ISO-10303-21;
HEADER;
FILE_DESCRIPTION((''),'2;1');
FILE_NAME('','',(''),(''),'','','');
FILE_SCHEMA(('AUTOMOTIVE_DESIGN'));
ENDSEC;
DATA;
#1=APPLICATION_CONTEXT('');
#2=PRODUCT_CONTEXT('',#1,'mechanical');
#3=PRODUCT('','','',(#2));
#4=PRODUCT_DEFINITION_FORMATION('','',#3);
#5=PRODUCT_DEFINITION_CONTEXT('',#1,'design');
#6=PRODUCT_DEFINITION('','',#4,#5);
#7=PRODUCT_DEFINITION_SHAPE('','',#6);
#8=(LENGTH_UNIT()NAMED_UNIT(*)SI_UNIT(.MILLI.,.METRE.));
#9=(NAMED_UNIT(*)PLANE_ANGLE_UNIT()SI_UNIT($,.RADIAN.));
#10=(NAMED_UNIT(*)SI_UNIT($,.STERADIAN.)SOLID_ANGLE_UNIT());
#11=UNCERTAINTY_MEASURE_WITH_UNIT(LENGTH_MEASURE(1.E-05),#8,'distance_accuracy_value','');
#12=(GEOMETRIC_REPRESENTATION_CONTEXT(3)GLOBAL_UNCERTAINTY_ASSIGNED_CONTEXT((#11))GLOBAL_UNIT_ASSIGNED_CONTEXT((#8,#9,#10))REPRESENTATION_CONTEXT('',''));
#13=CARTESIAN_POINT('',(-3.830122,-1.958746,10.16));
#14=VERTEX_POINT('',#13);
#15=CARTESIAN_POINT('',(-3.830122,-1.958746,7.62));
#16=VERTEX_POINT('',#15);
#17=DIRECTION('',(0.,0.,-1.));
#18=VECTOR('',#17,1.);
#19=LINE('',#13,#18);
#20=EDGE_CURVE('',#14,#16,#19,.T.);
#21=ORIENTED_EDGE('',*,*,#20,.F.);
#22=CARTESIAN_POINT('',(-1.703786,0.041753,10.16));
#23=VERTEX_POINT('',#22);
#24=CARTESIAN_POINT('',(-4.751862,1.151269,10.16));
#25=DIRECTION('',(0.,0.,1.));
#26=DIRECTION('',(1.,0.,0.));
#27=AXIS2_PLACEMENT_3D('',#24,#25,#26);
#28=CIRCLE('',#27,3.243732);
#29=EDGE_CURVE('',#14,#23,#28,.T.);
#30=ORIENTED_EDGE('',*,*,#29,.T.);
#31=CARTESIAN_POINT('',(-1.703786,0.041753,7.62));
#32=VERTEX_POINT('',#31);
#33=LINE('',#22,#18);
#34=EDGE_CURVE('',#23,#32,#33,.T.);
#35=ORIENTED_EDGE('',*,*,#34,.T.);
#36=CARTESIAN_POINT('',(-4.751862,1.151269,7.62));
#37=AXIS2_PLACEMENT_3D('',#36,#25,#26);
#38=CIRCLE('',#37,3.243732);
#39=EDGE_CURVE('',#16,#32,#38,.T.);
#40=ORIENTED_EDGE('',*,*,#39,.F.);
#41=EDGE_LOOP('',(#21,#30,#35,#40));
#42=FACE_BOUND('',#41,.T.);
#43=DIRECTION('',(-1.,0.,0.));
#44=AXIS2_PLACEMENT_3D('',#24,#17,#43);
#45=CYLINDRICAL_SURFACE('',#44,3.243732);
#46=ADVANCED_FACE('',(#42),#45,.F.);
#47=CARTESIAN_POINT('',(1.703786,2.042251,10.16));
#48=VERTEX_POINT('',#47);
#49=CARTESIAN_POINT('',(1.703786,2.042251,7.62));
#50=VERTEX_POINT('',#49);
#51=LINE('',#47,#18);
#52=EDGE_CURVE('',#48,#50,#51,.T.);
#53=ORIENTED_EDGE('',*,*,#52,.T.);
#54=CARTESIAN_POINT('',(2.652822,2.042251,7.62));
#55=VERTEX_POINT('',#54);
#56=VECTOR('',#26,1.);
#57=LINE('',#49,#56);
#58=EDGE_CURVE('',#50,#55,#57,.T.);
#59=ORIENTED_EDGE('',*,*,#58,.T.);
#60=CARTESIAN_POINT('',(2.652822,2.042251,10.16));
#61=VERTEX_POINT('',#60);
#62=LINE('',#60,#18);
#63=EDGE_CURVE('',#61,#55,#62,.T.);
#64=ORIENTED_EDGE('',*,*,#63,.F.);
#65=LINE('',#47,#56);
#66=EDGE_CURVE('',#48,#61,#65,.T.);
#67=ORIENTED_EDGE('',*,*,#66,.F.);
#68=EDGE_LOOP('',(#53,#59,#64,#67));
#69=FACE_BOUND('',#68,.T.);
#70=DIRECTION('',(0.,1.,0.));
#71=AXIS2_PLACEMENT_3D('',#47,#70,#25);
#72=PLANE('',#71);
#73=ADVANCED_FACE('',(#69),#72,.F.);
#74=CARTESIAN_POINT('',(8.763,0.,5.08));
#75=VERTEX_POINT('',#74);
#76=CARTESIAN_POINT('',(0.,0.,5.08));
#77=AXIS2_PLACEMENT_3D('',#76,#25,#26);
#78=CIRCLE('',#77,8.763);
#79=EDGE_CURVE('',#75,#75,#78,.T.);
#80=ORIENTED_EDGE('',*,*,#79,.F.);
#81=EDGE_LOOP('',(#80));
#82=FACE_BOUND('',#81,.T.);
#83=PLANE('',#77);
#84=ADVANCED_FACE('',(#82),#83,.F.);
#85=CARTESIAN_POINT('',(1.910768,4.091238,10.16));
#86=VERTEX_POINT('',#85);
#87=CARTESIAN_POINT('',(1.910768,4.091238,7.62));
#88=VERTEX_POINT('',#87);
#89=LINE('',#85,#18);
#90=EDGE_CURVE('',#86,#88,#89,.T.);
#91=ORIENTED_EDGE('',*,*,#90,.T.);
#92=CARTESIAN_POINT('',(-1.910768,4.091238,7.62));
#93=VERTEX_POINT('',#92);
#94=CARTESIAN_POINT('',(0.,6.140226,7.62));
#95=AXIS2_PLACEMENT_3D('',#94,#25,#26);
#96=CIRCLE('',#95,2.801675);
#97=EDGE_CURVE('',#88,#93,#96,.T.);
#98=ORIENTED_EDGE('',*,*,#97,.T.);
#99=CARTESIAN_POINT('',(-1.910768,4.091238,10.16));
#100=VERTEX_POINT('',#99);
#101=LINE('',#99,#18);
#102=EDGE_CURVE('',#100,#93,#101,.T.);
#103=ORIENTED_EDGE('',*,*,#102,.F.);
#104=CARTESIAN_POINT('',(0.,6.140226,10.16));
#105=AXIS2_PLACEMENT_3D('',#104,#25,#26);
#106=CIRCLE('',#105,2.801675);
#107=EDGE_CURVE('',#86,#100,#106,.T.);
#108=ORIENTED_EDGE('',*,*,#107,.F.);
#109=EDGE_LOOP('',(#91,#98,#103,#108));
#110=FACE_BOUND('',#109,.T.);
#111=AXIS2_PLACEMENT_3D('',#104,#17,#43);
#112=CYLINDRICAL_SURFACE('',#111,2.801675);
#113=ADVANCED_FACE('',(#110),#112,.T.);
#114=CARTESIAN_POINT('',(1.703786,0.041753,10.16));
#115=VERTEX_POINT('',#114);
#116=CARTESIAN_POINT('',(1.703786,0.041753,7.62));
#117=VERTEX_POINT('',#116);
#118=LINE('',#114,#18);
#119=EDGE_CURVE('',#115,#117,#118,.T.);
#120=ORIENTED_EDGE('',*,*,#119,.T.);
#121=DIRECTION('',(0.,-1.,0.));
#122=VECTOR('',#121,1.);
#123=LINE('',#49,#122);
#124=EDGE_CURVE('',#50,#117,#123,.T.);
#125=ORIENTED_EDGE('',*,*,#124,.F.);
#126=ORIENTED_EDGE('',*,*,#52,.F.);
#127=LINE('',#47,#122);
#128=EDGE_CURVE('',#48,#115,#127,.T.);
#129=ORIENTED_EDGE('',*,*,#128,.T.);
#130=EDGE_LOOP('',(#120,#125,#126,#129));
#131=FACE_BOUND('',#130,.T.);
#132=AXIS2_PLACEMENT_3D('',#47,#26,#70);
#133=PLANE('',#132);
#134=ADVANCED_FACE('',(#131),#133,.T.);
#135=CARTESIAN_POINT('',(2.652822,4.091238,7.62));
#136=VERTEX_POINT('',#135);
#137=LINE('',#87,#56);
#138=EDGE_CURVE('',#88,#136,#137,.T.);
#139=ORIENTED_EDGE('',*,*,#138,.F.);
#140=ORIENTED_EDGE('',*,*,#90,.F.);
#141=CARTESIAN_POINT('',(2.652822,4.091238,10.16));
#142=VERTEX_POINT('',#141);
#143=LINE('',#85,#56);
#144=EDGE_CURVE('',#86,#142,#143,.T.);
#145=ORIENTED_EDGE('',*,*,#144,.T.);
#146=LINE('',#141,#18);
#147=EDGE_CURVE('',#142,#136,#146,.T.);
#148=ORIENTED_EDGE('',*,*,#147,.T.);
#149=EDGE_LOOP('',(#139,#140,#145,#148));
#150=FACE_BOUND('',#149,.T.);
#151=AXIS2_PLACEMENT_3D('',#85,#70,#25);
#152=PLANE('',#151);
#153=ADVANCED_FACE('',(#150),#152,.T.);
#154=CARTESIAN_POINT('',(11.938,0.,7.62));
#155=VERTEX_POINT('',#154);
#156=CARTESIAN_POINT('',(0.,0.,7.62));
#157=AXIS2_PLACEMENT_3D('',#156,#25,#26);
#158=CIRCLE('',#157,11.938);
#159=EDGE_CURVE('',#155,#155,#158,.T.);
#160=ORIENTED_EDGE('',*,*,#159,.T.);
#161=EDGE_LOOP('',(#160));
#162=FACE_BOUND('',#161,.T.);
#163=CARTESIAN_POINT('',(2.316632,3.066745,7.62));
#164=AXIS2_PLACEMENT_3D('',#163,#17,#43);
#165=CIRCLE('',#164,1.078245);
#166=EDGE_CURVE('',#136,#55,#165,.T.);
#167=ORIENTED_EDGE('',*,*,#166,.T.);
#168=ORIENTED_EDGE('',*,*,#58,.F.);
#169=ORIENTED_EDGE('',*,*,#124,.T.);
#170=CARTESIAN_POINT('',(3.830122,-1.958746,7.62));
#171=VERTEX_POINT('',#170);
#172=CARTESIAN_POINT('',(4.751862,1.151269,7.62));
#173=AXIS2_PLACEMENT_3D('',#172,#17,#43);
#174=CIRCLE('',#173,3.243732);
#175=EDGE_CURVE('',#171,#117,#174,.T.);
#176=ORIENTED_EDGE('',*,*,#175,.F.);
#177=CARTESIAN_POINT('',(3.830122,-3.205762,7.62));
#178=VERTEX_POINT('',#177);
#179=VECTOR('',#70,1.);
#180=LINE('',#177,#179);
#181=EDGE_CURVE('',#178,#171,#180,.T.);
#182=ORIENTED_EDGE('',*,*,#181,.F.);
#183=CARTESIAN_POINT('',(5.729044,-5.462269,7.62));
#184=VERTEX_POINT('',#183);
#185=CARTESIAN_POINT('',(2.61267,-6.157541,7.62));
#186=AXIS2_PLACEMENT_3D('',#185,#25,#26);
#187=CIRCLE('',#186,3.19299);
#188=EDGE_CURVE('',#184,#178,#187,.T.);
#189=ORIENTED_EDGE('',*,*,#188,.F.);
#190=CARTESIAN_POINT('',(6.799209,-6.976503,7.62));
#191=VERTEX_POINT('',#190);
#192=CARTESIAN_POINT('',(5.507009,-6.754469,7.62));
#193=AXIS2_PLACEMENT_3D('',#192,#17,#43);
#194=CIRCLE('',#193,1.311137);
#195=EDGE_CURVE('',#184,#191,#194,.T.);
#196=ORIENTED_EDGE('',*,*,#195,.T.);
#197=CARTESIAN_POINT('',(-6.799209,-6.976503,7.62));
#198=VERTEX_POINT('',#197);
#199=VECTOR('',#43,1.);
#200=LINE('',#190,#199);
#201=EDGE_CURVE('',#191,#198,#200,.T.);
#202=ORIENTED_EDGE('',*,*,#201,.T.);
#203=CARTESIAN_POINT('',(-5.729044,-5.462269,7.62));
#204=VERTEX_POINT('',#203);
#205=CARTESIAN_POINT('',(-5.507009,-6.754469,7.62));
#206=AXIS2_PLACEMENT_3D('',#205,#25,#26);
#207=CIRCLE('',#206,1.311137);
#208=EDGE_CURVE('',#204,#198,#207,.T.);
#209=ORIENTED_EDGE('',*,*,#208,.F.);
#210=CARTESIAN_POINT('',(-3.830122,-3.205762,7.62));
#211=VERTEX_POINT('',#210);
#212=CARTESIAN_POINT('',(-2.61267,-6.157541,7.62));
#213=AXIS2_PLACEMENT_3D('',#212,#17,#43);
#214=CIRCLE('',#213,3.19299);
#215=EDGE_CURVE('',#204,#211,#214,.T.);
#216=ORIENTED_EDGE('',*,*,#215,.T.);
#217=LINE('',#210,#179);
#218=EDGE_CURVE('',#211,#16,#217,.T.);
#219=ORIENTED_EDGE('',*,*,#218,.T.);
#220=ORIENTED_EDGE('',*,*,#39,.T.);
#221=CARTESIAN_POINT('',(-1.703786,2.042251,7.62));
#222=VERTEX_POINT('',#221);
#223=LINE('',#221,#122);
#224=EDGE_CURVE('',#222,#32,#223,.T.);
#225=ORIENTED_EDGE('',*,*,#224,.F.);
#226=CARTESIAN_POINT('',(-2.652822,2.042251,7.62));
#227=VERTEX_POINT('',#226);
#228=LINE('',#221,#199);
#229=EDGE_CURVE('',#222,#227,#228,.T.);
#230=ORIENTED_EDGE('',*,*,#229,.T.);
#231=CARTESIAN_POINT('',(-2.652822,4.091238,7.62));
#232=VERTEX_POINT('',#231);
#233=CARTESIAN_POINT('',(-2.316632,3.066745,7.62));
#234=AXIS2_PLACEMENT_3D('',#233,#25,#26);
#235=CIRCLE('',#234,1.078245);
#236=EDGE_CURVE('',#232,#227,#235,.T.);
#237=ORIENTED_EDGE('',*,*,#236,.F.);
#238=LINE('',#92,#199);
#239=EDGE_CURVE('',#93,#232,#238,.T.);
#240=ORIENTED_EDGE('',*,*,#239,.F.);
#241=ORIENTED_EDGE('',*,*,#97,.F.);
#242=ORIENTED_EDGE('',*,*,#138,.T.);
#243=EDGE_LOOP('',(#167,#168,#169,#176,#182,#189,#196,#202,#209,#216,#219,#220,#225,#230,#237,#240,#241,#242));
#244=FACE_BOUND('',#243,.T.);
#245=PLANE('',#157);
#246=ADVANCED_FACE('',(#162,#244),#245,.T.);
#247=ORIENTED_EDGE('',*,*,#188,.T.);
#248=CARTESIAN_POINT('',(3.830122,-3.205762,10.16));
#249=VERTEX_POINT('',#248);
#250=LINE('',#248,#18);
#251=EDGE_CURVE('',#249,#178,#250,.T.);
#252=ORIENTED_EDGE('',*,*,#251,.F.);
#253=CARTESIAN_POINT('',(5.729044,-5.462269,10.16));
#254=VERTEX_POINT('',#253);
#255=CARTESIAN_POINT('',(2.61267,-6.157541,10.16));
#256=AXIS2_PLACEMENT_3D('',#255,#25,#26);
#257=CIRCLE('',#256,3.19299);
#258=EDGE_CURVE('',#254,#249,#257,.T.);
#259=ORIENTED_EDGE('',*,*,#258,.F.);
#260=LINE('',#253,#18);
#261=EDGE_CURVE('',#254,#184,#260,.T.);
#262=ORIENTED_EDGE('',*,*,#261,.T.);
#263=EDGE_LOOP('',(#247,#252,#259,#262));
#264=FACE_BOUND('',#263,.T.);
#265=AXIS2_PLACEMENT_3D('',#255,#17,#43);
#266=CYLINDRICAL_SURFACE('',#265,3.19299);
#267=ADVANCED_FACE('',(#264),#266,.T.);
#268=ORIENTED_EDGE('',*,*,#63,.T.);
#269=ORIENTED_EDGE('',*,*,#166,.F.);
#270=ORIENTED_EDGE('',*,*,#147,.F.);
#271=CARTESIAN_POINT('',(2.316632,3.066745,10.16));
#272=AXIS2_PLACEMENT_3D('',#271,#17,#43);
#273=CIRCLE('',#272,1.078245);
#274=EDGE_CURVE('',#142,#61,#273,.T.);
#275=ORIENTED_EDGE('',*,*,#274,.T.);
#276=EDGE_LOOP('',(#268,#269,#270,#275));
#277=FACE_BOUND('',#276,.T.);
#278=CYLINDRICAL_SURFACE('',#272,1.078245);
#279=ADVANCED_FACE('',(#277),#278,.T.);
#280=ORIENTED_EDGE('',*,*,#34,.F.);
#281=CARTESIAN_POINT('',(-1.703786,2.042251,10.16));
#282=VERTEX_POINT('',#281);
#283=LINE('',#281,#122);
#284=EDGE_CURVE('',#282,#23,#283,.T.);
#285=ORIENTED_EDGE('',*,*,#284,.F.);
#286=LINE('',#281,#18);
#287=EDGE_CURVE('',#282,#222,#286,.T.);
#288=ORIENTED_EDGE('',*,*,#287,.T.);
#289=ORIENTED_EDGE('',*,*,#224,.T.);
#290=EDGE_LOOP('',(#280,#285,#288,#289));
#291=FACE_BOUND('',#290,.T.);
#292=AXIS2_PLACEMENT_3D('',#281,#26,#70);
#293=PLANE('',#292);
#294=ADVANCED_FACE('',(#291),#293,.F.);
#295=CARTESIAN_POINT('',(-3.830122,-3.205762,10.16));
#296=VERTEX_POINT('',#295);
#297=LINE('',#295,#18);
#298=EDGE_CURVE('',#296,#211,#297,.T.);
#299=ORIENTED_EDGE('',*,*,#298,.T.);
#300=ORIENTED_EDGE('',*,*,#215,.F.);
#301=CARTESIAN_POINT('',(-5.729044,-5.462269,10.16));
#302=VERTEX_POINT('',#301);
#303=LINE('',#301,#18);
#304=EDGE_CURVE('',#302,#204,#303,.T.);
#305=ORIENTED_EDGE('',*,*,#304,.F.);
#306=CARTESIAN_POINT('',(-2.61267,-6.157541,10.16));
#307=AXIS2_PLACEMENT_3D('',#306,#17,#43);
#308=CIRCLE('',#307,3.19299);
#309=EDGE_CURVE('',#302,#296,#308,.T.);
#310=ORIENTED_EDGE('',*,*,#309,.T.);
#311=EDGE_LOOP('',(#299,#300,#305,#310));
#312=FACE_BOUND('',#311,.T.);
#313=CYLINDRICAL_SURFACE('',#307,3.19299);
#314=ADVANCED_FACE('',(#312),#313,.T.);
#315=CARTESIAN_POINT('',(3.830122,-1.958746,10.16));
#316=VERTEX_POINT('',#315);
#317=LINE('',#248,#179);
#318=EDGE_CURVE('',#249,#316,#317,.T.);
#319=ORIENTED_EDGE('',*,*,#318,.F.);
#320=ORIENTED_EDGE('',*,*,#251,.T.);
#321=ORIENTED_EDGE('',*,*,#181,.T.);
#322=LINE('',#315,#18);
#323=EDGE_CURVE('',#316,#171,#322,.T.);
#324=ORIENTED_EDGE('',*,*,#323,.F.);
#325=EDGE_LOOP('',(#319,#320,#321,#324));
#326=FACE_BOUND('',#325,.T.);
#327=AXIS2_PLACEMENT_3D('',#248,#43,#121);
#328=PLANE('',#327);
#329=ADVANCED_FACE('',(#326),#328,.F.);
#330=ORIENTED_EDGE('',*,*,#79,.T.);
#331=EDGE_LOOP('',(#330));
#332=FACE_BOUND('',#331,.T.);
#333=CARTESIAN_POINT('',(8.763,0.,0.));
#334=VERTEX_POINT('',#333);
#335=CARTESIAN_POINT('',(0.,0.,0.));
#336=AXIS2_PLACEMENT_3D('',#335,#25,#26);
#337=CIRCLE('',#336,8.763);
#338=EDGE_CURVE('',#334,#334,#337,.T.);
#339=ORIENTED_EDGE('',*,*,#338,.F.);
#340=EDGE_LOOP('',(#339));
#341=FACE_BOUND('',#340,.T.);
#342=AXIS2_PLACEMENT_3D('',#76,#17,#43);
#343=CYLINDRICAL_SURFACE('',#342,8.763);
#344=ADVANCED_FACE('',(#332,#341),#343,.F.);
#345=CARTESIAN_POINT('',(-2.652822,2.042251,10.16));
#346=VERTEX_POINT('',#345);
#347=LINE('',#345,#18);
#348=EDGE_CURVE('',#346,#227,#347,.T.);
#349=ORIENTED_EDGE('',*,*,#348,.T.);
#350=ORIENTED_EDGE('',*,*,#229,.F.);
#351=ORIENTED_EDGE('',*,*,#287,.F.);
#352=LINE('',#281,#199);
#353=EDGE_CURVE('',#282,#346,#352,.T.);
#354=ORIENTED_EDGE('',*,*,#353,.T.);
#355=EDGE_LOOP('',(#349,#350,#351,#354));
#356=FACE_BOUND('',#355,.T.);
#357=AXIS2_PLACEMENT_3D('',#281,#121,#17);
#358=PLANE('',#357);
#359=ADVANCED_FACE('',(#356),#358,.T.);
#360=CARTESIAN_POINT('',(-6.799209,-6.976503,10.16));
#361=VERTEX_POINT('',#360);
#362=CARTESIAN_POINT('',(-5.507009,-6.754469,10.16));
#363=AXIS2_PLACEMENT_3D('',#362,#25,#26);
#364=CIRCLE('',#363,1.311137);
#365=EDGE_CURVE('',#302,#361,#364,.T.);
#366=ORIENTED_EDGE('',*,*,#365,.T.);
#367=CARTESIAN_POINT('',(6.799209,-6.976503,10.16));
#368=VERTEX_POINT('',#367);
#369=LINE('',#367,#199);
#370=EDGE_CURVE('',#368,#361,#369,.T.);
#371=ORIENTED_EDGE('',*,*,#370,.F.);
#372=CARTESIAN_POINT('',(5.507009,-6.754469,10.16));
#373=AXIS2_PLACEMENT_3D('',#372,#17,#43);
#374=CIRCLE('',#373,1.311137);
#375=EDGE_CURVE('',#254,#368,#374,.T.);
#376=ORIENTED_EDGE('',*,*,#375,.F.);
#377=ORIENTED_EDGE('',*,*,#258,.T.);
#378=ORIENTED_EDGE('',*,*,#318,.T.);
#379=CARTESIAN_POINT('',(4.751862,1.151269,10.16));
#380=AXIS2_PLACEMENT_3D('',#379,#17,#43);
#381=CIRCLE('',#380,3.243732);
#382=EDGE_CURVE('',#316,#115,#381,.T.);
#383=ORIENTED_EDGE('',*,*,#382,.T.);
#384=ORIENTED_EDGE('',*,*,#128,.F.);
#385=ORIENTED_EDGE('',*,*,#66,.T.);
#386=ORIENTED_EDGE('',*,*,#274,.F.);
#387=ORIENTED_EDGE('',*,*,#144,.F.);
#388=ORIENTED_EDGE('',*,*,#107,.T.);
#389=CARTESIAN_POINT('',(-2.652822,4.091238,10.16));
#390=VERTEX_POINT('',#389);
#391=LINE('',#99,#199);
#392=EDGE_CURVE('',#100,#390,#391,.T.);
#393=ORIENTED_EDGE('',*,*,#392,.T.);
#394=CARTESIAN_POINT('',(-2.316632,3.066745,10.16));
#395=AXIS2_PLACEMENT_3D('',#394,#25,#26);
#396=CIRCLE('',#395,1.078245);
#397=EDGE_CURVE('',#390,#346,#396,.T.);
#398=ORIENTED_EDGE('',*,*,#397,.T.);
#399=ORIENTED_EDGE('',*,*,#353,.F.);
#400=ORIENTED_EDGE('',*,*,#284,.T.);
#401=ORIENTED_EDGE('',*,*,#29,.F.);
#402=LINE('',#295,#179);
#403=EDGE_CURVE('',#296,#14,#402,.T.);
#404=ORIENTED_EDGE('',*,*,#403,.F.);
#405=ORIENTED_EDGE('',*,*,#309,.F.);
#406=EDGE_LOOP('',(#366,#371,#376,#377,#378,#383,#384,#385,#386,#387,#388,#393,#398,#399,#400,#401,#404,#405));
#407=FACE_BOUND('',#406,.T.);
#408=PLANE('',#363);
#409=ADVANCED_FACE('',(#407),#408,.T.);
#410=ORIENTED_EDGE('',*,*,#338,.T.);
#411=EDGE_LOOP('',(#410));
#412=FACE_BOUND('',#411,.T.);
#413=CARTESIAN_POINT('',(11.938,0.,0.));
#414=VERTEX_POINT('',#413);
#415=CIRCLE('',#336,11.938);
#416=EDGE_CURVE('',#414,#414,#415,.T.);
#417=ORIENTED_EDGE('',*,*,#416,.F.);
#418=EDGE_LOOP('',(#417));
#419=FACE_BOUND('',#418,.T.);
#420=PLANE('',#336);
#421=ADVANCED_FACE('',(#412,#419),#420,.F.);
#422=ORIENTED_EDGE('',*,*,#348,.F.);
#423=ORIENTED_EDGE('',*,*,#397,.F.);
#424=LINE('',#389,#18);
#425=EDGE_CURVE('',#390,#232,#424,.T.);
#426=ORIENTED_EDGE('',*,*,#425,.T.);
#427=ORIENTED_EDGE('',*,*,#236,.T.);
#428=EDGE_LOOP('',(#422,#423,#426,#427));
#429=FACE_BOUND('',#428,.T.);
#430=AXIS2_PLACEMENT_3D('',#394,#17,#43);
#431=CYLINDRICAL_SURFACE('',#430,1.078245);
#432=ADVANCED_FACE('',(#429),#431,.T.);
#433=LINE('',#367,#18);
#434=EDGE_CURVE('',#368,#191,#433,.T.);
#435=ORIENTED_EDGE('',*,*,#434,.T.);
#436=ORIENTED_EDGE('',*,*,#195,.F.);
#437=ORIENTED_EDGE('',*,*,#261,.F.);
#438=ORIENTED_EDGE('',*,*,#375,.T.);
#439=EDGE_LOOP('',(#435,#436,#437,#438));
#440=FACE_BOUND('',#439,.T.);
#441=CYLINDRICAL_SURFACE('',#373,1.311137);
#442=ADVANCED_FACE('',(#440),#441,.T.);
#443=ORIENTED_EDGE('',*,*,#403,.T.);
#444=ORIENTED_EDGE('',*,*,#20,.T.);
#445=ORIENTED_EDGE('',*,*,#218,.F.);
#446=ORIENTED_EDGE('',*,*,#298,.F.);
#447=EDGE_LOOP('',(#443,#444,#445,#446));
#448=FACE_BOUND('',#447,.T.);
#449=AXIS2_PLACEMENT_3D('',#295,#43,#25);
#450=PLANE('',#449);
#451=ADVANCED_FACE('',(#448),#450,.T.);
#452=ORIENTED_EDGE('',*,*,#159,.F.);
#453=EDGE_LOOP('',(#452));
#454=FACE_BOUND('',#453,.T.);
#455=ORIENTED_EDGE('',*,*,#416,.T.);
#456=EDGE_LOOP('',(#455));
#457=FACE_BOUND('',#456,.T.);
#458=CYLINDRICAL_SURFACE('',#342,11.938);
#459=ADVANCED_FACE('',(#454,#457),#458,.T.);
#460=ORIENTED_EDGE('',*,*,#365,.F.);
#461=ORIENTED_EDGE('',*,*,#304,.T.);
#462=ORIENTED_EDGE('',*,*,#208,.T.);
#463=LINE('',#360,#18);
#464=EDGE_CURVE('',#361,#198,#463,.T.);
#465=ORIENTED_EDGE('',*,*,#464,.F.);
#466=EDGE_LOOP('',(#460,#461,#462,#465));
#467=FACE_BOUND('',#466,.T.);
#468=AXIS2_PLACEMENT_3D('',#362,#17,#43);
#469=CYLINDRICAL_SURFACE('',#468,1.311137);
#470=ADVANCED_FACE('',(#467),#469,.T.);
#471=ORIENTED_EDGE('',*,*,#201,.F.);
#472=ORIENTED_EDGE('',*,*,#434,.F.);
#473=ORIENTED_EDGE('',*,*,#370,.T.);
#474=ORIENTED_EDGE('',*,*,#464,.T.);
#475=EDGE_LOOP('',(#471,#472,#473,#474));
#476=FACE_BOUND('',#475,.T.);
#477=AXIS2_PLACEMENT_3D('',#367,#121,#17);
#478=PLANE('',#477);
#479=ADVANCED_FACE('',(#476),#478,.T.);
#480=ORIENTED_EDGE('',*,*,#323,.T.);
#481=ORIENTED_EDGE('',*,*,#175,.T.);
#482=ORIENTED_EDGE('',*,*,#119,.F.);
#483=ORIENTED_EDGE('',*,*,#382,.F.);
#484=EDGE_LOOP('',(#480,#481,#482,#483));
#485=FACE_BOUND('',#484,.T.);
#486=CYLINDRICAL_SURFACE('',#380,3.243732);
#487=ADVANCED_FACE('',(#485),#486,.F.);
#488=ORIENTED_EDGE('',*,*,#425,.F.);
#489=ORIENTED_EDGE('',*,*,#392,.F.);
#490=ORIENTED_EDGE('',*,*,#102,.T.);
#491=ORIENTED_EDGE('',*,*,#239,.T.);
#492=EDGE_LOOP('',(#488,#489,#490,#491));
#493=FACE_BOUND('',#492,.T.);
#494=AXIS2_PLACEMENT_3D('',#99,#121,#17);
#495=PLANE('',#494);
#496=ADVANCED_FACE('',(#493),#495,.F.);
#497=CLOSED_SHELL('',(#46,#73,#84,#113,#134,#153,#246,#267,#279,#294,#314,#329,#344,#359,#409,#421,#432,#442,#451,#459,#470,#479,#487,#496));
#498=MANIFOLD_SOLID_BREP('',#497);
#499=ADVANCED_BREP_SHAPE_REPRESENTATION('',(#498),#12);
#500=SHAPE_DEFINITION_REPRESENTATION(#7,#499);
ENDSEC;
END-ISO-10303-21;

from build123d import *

# Parameters (mm, degrees)
SKETCH1_R           = 11.938
SKETCH1_R_2         = 8.763
BOSS_EXTRUDE1_DEPTH = 5.08
SKETCH2_R           = 11.938
BOSS_EXTRUDE2_DEPTH = 2.54
BOSS_EXTRUDE3_DEPTH = 2.54


with BuildPart() as part:
    # Sketch1 → Boss-Extrude1 (new body)
    with BuildSketch(Plane.XY):
        Circle(SKETCH1_R)
        Circle(SKETCH1_R_2, mode=Mode.SUBTRACT)
    extrude(amount=BOSS_EXTRUDE1_DEPTH)

    # Sketch2 → Boss-Extrude2 (add)
    with BuildSketch(Plane.XY.offset(5.08)):
        Circle(SKETCH2_R)
    extrude(amount=BOSS_EXTRUDE2_DEPTH)

    # Sketch3 → Boss-Extrude3 (add)
    with BuildSketch(Plane.XY.offset(7.62)):
        with BuildLine():
            Line((6.799209261, -6.976502995), (-6.799209261, -6.976502995))
            ThreePointArc((-6.799209261, -6.976502995), (-6.57773466, -5.997747251), (-5.729043644, -5.462268619))
            ThreePointArc((-5.729043644, -5.462268619), (-5.055714591, -4.101642026), (-3.830122247, -3.205762488))
            Line((-3.830122247, -3.205762488), (-3.830122247, -1.958745943))
            ThreePointArc((-3.830122247, -1.958745943), (-2.529170198, -1.211237743), (-1.703785584, 0.041752673))
            Line((-1.703785584, 0.041752673), (-1.703785584, 2.042251288))
            Line((-1.703785584, 2.042251288), (-2.652822308, 2.042251288))
            ThreePointArc((-2.652822308, 2.042251288), (-3.394876144, 3.066744886), (-2.652822308, 4.091238485))
            Line((-2.652822308, 4.091238485), (-1.910768473, 4.091238485))
            ThreePointArc((-1.910768473, 4.091238485), (0, 8.941901019), (1.910768473, 4.091238485))
            Line((1.910768473, 4.091238485), (2.652822308, 4.091238485))
            ThreePointArc((2.652822308, 4.091238485), (3.394876144, 3.066744886), (2.652822308, 2.042251288))
            Line((2.652822308, 2.042251288), (1.703785584, 2.042251288))
            Line((1.703785584, 2.042251288), (1.703785584, 0.041752673))
            ThreePointArc((1.703785584, 0.041752673), (2.529170198, -1.211237743), (3.830122247, -1.958745943))
            Line((3.830122247, -1.958745943), (3.830122247, -3.205762488))
            ThreePointArc((3.830122247, -3.205762488), (5.055714591, -4.101642026), (5.729043644, -5.462268619))
            ThreePointArc((5.729043644, -5.462268619), (6.57773466, -5.997747251), (6.799209261, -6.976502995))
        make_face()
    extrude(amount=BOSS_EXTRUDE3_DEPTH)


solid = part.part
